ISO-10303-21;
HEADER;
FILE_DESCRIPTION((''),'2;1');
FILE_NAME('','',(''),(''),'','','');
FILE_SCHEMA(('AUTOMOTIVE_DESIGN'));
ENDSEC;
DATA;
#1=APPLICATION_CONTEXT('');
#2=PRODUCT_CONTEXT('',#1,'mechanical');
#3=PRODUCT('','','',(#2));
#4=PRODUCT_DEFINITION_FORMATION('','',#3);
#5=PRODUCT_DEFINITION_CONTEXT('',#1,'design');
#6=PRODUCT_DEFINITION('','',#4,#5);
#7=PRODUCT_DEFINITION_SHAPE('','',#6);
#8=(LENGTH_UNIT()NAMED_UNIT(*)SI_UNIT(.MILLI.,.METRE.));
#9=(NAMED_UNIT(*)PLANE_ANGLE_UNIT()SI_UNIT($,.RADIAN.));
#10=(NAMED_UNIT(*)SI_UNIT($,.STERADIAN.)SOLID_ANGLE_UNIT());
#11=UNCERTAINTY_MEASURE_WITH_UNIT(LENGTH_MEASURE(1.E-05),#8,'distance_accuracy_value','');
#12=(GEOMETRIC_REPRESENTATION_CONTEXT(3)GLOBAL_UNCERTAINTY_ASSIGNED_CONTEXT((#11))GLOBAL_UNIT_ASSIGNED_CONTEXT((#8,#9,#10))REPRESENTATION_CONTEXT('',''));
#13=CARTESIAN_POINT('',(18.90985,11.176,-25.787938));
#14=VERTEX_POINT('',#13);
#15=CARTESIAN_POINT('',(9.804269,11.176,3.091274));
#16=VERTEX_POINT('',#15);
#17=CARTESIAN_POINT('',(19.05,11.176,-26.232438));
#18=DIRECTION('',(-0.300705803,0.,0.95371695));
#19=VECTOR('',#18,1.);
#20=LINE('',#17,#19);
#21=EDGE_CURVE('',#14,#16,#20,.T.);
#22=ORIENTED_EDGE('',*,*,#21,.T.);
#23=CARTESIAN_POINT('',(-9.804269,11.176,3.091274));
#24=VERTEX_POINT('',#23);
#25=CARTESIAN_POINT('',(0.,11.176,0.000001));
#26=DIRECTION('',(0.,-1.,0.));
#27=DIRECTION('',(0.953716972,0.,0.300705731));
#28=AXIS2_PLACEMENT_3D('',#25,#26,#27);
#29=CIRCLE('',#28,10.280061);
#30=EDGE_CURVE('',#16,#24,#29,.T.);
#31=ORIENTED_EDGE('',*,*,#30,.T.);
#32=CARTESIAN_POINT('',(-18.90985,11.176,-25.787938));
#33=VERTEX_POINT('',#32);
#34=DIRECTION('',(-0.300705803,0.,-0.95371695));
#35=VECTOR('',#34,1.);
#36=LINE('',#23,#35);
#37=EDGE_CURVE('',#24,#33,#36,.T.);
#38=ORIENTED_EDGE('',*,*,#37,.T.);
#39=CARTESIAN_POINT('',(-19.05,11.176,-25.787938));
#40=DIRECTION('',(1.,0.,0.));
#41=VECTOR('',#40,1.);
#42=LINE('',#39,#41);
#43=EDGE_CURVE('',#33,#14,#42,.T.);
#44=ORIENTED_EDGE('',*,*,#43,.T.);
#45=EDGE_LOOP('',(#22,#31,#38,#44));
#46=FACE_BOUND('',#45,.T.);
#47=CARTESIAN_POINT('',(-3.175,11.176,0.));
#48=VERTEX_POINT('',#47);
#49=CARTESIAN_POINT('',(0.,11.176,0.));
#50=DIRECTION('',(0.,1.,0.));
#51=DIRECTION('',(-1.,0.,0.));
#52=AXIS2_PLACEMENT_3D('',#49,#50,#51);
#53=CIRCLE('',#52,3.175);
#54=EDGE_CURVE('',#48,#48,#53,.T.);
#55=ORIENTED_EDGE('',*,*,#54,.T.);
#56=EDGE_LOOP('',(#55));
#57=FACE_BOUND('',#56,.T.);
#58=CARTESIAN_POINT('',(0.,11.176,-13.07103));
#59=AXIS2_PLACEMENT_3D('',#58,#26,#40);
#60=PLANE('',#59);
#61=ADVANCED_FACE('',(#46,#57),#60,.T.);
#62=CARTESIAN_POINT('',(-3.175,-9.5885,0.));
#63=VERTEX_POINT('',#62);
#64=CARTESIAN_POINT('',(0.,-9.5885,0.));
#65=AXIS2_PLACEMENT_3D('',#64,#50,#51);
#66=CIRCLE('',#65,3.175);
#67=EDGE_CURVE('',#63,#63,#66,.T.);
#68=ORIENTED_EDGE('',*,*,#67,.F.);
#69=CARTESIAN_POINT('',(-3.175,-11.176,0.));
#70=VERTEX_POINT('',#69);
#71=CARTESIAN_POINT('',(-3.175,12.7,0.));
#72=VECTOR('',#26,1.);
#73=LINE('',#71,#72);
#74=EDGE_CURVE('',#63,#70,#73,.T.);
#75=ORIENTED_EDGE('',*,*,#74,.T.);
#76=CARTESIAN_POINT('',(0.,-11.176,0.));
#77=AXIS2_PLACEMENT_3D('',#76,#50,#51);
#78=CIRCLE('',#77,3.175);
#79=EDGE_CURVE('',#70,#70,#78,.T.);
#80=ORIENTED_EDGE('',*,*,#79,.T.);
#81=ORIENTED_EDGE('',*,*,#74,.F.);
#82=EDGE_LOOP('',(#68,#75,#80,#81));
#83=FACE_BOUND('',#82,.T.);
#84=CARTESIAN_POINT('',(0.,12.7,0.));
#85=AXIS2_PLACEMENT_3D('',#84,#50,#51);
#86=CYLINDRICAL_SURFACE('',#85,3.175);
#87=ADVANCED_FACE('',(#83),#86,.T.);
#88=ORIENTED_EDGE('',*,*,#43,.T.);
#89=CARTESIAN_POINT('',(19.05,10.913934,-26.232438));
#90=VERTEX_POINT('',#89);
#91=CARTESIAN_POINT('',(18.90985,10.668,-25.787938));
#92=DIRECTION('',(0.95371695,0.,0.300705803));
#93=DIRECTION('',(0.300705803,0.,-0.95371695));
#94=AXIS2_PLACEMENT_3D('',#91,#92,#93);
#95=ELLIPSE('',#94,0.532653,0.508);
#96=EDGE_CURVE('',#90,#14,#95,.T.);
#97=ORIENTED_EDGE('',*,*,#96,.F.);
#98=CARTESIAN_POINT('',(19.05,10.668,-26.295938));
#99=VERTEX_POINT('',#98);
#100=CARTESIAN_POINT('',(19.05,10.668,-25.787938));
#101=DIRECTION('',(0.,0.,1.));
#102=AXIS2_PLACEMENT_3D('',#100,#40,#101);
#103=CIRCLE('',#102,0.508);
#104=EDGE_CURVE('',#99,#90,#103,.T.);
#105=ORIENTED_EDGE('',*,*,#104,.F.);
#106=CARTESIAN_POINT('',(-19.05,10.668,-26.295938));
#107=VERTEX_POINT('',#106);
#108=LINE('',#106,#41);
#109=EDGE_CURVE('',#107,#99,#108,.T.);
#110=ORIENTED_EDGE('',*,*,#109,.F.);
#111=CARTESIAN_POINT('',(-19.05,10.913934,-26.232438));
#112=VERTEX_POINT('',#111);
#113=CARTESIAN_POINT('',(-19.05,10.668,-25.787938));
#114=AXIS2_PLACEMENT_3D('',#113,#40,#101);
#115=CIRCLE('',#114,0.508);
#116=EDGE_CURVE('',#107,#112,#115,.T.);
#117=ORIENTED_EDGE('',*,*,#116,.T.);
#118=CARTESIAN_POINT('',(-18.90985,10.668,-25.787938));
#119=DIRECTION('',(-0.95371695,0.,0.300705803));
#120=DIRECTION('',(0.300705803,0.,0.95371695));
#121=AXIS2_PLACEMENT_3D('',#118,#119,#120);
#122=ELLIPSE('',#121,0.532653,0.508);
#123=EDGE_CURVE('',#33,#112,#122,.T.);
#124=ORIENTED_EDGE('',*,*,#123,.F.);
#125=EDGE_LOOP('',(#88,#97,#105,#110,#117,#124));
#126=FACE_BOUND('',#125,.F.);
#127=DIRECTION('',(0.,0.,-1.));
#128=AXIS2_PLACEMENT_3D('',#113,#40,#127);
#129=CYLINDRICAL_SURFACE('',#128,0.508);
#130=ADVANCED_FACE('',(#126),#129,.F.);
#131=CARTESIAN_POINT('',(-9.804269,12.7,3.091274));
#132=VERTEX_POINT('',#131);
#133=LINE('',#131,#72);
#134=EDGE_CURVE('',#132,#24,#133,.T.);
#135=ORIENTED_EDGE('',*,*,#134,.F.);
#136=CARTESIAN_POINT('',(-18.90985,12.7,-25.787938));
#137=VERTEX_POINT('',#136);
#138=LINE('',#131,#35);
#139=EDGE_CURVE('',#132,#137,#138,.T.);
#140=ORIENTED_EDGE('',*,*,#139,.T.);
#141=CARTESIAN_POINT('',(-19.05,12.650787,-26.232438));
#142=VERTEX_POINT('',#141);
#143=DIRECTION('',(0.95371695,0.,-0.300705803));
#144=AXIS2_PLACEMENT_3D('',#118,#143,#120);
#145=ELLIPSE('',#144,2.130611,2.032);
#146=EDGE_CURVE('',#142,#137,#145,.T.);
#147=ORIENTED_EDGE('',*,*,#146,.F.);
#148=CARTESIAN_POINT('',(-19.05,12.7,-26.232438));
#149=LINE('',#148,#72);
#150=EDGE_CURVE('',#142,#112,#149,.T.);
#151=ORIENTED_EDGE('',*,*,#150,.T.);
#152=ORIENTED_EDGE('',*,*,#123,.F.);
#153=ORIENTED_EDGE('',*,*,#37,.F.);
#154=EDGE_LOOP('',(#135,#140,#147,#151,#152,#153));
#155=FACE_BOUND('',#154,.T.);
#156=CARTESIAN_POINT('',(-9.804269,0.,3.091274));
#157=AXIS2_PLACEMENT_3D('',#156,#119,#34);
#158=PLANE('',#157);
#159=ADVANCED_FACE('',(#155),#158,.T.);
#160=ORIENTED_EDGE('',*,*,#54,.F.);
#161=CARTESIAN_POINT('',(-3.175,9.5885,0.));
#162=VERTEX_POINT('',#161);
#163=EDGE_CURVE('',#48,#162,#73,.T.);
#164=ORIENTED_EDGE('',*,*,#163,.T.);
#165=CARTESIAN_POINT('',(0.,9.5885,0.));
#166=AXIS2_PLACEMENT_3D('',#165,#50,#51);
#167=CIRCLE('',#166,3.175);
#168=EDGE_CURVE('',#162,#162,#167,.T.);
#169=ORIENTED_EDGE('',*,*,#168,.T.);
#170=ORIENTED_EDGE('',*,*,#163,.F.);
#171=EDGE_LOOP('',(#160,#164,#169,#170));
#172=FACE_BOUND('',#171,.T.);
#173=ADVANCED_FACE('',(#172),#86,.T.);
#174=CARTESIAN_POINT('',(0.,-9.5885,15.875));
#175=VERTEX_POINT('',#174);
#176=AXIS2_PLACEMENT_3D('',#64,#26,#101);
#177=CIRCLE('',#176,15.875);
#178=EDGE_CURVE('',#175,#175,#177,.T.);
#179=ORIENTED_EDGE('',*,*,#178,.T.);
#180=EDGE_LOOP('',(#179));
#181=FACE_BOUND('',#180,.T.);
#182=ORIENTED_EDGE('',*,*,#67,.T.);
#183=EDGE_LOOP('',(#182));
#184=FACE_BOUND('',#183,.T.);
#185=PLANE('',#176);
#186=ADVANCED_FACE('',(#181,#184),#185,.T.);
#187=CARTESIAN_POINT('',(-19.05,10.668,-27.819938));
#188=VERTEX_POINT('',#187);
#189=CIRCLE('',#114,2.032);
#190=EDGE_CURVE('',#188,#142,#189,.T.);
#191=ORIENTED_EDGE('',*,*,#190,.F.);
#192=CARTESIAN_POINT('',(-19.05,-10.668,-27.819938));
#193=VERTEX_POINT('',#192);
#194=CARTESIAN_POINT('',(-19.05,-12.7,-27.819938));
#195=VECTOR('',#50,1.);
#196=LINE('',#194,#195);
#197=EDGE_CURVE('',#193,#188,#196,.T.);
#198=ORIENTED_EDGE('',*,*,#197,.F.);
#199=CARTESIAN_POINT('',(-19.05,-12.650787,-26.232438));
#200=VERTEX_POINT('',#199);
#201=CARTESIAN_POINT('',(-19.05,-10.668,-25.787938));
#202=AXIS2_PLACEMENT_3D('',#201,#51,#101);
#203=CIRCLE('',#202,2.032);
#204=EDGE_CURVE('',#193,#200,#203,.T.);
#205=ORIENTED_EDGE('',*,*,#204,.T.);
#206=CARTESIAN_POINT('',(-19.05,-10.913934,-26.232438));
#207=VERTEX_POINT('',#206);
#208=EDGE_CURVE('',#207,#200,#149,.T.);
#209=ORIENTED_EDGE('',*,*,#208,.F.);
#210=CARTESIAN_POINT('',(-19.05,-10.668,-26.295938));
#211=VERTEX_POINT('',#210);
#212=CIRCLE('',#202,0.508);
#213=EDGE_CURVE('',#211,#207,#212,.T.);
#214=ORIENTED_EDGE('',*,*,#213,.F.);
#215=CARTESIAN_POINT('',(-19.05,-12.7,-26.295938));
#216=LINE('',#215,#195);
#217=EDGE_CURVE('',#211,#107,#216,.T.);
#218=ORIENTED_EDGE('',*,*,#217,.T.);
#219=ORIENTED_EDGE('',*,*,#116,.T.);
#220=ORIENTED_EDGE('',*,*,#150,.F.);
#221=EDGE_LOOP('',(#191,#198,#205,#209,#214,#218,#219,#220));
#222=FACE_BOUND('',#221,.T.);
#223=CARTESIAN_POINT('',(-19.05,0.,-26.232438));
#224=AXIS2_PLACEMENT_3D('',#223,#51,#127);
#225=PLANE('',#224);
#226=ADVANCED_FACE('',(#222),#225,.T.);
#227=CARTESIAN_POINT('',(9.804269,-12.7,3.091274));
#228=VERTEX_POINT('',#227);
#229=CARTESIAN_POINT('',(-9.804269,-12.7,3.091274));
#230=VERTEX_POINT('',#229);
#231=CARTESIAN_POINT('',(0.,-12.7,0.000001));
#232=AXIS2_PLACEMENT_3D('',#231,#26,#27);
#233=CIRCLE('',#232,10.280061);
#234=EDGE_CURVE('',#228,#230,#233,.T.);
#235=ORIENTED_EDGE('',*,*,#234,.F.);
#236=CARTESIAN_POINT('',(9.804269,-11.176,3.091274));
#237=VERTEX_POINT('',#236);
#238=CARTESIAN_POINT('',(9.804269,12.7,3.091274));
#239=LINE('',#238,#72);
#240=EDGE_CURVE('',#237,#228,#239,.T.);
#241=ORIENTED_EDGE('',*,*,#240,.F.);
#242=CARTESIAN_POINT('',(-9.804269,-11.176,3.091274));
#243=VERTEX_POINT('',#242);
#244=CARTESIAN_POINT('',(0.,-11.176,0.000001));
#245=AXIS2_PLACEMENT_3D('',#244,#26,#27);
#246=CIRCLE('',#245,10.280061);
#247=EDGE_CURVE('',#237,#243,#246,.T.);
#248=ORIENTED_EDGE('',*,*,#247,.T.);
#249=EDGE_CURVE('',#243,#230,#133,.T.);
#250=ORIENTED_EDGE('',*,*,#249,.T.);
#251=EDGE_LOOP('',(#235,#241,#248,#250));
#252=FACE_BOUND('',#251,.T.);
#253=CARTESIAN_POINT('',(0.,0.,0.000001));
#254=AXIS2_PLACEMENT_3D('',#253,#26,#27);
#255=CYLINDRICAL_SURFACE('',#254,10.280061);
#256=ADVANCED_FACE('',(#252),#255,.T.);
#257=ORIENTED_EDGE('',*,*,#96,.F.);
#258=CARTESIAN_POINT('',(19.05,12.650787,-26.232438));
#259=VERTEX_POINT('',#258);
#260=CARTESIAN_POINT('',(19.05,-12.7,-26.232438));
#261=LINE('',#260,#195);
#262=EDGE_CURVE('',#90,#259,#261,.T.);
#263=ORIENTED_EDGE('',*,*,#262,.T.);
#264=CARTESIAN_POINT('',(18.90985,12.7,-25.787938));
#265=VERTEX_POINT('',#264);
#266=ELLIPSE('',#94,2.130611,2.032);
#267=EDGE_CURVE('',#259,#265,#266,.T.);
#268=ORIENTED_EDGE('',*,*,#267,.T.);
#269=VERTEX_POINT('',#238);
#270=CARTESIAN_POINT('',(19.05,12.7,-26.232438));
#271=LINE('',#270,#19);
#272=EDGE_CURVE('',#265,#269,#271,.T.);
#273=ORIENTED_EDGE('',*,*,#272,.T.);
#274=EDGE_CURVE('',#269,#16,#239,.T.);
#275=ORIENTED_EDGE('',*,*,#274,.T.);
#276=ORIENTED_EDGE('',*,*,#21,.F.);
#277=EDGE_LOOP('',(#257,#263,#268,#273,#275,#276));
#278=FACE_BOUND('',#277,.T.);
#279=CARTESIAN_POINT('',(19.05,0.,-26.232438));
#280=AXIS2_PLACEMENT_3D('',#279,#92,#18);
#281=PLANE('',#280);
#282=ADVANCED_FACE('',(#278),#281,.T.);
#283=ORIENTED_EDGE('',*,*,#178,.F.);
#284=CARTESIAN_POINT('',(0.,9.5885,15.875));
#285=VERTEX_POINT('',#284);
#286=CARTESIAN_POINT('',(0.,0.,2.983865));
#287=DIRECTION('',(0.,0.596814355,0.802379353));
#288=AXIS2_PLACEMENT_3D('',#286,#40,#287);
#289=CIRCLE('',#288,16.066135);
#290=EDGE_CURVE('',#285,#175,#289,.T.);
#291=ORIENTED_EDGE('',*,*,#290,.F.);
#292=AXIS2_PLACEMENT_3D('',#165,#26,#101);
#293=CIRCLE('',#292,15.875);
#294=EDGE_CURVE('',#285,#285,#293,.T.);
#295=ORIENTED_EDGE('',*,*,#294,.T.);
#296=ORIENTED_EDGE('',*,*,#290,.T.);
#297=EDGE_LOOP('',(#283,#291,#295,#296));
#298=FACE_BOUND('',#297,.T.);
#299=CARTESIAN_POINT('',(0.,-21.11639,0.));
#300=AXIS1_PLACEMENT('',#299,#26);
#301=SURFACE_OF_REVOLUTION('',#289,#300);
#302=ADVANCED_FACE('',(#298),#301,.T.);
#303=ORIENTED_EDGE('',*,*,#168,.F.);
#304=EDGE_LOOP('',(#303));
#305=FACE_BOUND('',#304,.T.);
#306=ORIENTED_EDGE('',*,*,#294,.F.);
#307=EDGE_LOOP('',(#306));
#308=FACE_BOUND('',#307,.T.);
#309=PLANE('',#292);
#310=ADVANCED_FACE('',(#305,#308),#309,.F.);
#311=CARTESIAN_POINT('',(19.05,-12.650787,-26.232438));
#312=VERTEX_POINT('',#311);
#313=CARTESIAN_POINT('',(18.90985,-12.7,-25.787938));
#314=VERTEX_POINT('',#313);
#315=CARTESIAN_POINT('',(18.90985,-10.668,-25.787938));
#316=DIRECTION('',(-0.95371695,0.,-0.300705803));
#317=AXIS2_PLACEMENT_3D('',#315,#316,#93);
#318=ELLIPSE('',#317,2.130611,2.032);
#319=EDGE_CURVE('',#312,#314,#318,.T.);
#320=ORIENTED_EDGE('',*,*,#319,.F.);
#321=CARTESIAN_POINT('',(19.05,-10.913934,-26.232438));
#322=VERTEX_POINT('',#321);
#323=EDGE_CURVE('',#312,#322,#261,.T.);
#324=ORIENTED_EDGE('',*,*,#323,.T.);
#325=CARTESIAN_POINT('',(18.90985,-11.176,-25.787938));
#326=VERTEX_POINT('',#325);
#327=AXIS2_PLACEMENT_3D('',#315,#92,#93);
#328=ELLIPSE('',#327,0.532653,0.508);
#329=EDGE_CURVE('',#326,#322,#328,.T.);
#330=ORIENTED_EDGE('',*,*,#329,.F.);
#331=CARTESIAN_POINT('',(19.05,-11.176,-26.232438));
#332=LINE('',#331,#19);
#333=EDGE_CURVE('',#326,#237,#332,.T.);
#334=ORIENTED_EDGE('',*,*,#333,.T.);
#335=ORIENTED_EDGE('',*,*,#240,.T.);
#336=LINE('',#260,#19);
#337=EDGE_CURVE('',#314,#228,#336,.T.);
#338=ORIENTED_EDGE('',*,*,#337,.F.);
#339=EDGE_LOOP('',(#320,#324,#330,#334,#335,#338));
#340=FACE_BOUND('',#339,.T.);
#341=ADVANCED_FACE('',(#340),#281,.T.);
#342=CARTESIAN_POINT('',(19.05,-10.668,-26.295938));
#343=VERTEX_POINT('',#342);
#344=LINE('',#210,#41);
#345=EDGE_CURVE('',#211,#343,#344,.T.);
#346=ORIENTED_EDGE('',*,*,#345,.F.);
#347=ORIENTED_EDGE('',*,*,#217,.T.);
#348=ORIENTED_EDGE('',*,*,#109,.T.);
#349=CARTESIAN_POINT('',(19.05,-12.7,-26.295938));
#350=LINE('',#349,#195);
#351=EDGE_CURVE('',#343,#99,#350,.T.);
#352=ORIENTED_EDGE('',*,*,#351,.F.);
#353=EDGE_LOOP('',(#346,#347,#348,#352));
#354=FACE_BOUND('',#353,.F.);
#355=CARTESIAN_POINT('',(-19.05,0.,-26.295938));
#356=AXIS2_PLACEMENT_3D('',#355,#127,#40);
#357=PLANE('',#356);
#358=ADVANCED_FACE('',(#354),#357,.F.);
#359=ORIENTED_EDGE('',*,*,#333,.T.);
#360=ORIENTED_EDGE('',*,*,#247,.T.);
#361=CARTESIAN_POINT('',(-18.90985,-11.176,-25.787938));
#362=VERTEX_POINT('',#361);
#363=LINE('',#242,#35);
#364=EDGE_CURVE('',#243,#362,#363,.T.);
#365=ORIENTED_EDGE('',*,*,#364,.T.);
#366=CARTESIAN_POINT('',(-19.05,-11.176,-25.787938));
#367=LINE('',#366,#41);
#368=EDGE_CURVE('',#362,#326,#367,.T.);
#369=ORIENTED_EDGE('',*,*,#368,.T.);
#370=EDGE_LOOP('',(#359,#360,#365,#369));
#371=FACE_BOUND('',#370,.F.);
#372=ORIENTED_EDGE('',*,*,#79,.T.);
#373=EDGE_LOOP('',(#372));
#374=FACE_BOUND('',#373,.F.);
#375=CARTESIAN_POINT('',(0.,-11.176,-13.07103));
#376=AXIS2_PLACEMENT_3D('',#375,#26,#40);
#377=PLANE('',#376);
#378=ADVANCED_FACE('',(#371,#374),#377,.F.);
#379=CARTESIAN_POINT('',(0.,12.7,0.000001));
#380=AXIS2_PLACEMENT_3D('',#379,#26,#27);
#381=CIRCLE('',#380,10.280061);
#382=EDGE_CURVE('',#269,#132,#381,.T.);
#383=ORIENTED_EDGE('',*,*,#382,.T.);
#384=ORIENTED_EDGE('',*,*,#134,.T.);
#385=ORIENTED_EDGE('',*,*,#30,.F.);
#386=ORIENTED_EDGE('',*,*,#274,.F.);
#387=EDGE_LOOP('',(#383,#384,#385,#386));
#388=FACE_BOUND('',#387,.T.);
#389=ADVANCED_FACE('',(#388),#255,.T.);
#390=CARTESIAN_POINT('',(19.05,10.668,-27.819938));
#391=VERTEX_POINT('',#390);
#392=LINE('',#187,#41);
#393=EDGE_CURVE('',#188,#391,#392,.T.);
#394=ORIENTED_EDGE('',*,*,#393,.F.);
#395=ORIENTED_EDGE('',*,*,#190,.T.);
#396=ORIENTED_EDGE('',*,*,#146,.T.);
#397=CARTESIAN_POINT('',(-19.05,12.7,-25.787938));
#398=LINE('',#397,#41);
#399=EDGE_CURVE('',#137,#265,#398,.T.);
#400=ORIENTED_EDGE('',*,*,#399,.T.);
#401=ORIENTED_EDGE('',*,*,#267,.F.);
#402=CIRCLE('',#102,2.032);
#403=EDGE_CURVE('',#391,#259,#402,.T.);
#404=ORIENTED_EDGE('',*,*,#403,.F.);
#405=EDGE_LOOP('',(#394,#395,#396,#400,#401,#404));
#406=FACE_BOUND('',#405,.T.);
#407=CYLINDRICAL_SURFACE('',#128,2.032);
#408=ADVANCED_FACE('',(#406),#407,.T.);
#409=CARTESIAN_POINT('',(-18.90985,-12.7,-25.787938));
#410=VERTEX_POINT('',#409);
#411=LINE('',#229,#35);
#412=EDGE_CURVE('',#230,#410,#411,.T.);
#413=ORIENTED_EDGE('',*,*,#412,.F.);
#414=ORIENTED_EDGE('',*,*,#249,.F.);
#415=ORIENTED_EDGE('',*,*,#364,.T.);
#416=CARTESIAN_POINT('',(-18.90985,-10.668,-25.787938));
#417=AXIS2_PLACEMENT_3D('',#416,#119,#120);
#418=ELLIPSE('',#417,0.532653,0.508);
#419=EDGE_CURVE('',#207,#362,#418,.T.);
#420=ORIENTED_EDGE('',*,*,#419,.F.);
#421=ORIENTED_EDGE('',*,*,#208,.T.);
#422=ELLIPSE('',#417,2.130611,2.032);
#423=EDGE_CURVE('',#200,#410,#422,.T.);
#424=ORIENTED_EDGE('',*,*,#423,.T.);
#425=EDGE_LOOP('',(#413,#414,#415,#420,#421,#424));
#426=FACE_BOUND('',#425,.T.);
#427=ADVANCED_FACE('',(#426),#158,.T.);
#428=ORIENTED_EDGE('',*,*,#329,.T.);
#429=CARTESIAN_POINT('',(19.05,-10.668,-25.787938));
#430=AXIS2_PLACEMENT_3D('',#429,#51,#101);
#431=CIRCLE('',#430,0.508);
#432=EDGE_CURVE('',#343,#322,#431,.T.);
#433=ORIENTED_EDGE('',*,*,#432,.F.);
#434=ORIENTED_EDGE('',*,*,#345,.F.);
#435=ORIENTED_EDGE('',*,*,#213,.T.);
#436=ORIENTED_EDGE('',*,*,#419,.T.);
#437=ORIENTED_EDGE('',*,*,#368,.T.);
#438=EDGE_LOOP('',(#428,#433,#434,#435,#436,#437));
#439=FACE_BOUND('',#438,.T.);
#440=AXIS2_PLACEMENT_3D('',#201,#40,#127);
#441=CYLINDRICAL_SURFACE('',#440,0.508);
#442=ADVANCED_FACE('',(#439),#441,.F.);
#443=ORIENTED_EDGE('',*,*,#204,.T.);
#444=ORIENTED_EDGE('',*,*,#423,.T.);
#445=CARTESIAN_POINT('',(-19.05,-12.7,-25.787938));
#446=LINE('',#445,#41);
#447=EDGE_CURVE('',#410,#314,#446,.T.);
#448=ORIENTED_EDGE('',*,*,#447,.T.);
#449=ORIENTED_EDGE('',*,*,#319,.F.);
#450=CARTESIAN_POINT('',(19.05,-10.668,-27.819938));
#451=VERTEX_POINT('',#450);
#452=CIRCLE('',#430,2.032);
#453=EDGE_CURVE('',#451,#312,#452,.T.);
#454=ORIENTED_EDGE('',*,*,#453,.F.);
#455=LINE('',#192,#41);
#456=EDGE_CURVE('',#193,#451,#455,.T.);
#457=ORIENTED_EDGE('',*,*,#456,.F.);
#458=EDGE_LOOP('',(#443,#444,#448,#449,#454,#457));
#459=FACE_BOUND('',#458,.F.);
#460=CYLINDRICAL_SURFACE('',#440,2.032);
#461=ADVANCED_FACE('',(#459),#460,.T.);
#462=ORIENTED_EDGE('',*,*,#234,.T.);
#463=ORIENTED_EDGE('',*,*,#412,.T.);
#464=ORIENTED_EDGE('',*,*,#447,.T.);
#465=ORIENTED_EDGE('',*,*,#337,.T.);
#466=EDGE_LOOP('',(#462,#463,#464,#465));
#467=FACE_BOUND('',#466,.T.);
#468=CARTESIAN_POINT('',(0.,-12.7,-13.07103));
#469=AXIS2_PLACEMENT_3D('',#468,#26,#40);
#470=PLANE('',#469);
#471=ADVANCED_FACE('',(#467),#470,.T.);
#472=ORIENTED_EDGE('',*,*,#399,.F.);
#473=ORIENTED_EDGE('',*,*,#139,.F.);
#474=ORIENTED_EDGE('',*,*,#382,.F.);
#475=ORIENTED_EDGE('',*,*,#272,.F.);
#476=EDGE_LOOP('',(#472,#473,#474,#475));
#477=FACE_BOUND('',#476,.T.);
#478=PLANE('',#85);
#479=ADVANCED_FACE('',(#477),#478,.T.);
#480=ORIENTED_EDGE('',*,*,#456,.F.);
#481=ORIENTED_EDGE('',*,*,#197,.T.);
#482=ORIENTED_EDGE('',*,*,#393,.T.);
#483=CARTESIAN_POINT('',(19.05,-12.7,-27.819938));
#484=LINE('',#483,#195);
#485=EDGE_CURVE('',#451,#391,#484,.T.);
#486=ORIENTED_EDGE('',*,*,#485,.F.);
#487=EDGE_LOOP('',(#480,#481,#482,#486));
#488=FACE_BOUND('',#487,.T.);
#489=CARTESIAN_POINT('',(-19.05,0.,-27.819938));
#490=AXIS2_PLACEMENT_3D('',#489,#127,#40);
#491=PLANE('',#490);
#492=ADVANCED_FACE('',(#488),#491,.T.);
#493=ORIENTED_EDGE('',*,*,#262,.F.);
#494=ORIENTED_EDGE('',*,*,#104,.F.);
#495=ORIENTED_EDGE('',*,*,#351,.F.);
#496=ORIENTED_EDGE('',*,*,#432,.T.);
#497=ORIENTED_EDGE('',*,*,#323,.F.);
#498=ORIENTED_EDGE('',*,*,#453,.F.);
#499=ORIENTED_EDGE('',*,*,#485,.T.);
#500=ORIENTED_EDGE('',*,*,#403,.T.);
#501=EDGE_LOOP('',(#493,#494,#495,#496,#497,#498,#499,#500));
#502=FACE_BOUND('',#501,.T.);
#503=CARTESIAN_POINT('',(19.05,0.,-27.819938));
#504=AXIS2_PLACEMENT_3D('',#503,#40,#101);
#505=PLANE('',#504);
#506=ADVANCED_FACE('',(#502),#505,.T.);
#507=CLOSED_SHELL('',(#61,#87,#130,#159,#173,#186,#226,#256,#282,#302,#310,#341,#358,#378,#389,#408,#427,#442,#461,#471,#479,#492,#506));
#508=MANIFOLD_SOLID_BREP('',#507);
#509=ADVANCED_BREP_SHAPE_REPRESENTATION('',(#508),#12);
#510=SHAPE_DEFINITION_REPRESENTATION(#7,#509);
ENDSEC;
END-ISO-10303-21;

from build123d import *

# Parameters (mm, degrees)
F1_DEPTH = 12.7
F2_R     = 2.032
F3_T     = -1.524
F4_R     = 3.175
F5_DEPTH = 25.4


with BuildPart() as f1:
    # F0 (on Front) → F1 (new body, symmetric)
    with BuildSketch(Plane.XZ):
        with BuildLine():
            Line((19.05, -26.232438), (9.804269, 3.091274))
            ThreePointArc((9.804269, 3.091274), (0, 10.280062), (-9.804269, 3.091274))
            Line((-9.804269, 3.091274), (-19.05, -26.232438))
            Line((-19.05, -26.232438), (-19.05, -27.819938))
            Line((-19.05, -27.819938), (19.05, -27.819938))
            Line((19.05, -27.819938), (19.05, -26.232438))
        make_face()
    extrude(amount=F1_DEPTH, both=True)

    # F2
    f2_edges = [f1.edges().sort_by_distance(p)[0] for p in [
        (0, -12.7, -27.819938),
        (0, 12.7, -27.819938),
    ]]
    fillet(f2_edges, radius=F2_R)

    # F3
    f3_openings = [f1.faces().sort_by_distance(p)[0] for p in [
        (19.05, 0, -27.01023),
        (14.427045, 0, -11.570299),
        (0, 0, 10.280062),
        (-14.427045, 0, -11.570299),
        (-19.05, 0, -27.01023),
    ]]
    offset(amount=F3_T, openings=f3_openings)

    # F4 (on face) → F5 (join, through all)
    with BuildSketch(Plane(origin=(0, 12.7, 0), x_dir=(-1, 0, 0), z_dir=(0, 1, 0))):
        Circle(F4_R)
    extrude(amount=-F5_DEPTH)

    # F6 (on Right) → F7 (revolve)
    with BuildSketch(Plane.YZ):
        with BuildLine():
            Line((-9.5885, 15.875), (-9.5885, 0))
            Line((-9.5885, 0), (9.5885, 0))
            Line((9.5885, 0), (9.5885, 15.875))
            ThreePointArc((9.5885, 15.875), (0, 19.05), (-9.5885, 15.875))
        make_face()
    revolve(axis=Axis((0, -21.11639, 0), (0, -1, 0)))


solid = f1.part
